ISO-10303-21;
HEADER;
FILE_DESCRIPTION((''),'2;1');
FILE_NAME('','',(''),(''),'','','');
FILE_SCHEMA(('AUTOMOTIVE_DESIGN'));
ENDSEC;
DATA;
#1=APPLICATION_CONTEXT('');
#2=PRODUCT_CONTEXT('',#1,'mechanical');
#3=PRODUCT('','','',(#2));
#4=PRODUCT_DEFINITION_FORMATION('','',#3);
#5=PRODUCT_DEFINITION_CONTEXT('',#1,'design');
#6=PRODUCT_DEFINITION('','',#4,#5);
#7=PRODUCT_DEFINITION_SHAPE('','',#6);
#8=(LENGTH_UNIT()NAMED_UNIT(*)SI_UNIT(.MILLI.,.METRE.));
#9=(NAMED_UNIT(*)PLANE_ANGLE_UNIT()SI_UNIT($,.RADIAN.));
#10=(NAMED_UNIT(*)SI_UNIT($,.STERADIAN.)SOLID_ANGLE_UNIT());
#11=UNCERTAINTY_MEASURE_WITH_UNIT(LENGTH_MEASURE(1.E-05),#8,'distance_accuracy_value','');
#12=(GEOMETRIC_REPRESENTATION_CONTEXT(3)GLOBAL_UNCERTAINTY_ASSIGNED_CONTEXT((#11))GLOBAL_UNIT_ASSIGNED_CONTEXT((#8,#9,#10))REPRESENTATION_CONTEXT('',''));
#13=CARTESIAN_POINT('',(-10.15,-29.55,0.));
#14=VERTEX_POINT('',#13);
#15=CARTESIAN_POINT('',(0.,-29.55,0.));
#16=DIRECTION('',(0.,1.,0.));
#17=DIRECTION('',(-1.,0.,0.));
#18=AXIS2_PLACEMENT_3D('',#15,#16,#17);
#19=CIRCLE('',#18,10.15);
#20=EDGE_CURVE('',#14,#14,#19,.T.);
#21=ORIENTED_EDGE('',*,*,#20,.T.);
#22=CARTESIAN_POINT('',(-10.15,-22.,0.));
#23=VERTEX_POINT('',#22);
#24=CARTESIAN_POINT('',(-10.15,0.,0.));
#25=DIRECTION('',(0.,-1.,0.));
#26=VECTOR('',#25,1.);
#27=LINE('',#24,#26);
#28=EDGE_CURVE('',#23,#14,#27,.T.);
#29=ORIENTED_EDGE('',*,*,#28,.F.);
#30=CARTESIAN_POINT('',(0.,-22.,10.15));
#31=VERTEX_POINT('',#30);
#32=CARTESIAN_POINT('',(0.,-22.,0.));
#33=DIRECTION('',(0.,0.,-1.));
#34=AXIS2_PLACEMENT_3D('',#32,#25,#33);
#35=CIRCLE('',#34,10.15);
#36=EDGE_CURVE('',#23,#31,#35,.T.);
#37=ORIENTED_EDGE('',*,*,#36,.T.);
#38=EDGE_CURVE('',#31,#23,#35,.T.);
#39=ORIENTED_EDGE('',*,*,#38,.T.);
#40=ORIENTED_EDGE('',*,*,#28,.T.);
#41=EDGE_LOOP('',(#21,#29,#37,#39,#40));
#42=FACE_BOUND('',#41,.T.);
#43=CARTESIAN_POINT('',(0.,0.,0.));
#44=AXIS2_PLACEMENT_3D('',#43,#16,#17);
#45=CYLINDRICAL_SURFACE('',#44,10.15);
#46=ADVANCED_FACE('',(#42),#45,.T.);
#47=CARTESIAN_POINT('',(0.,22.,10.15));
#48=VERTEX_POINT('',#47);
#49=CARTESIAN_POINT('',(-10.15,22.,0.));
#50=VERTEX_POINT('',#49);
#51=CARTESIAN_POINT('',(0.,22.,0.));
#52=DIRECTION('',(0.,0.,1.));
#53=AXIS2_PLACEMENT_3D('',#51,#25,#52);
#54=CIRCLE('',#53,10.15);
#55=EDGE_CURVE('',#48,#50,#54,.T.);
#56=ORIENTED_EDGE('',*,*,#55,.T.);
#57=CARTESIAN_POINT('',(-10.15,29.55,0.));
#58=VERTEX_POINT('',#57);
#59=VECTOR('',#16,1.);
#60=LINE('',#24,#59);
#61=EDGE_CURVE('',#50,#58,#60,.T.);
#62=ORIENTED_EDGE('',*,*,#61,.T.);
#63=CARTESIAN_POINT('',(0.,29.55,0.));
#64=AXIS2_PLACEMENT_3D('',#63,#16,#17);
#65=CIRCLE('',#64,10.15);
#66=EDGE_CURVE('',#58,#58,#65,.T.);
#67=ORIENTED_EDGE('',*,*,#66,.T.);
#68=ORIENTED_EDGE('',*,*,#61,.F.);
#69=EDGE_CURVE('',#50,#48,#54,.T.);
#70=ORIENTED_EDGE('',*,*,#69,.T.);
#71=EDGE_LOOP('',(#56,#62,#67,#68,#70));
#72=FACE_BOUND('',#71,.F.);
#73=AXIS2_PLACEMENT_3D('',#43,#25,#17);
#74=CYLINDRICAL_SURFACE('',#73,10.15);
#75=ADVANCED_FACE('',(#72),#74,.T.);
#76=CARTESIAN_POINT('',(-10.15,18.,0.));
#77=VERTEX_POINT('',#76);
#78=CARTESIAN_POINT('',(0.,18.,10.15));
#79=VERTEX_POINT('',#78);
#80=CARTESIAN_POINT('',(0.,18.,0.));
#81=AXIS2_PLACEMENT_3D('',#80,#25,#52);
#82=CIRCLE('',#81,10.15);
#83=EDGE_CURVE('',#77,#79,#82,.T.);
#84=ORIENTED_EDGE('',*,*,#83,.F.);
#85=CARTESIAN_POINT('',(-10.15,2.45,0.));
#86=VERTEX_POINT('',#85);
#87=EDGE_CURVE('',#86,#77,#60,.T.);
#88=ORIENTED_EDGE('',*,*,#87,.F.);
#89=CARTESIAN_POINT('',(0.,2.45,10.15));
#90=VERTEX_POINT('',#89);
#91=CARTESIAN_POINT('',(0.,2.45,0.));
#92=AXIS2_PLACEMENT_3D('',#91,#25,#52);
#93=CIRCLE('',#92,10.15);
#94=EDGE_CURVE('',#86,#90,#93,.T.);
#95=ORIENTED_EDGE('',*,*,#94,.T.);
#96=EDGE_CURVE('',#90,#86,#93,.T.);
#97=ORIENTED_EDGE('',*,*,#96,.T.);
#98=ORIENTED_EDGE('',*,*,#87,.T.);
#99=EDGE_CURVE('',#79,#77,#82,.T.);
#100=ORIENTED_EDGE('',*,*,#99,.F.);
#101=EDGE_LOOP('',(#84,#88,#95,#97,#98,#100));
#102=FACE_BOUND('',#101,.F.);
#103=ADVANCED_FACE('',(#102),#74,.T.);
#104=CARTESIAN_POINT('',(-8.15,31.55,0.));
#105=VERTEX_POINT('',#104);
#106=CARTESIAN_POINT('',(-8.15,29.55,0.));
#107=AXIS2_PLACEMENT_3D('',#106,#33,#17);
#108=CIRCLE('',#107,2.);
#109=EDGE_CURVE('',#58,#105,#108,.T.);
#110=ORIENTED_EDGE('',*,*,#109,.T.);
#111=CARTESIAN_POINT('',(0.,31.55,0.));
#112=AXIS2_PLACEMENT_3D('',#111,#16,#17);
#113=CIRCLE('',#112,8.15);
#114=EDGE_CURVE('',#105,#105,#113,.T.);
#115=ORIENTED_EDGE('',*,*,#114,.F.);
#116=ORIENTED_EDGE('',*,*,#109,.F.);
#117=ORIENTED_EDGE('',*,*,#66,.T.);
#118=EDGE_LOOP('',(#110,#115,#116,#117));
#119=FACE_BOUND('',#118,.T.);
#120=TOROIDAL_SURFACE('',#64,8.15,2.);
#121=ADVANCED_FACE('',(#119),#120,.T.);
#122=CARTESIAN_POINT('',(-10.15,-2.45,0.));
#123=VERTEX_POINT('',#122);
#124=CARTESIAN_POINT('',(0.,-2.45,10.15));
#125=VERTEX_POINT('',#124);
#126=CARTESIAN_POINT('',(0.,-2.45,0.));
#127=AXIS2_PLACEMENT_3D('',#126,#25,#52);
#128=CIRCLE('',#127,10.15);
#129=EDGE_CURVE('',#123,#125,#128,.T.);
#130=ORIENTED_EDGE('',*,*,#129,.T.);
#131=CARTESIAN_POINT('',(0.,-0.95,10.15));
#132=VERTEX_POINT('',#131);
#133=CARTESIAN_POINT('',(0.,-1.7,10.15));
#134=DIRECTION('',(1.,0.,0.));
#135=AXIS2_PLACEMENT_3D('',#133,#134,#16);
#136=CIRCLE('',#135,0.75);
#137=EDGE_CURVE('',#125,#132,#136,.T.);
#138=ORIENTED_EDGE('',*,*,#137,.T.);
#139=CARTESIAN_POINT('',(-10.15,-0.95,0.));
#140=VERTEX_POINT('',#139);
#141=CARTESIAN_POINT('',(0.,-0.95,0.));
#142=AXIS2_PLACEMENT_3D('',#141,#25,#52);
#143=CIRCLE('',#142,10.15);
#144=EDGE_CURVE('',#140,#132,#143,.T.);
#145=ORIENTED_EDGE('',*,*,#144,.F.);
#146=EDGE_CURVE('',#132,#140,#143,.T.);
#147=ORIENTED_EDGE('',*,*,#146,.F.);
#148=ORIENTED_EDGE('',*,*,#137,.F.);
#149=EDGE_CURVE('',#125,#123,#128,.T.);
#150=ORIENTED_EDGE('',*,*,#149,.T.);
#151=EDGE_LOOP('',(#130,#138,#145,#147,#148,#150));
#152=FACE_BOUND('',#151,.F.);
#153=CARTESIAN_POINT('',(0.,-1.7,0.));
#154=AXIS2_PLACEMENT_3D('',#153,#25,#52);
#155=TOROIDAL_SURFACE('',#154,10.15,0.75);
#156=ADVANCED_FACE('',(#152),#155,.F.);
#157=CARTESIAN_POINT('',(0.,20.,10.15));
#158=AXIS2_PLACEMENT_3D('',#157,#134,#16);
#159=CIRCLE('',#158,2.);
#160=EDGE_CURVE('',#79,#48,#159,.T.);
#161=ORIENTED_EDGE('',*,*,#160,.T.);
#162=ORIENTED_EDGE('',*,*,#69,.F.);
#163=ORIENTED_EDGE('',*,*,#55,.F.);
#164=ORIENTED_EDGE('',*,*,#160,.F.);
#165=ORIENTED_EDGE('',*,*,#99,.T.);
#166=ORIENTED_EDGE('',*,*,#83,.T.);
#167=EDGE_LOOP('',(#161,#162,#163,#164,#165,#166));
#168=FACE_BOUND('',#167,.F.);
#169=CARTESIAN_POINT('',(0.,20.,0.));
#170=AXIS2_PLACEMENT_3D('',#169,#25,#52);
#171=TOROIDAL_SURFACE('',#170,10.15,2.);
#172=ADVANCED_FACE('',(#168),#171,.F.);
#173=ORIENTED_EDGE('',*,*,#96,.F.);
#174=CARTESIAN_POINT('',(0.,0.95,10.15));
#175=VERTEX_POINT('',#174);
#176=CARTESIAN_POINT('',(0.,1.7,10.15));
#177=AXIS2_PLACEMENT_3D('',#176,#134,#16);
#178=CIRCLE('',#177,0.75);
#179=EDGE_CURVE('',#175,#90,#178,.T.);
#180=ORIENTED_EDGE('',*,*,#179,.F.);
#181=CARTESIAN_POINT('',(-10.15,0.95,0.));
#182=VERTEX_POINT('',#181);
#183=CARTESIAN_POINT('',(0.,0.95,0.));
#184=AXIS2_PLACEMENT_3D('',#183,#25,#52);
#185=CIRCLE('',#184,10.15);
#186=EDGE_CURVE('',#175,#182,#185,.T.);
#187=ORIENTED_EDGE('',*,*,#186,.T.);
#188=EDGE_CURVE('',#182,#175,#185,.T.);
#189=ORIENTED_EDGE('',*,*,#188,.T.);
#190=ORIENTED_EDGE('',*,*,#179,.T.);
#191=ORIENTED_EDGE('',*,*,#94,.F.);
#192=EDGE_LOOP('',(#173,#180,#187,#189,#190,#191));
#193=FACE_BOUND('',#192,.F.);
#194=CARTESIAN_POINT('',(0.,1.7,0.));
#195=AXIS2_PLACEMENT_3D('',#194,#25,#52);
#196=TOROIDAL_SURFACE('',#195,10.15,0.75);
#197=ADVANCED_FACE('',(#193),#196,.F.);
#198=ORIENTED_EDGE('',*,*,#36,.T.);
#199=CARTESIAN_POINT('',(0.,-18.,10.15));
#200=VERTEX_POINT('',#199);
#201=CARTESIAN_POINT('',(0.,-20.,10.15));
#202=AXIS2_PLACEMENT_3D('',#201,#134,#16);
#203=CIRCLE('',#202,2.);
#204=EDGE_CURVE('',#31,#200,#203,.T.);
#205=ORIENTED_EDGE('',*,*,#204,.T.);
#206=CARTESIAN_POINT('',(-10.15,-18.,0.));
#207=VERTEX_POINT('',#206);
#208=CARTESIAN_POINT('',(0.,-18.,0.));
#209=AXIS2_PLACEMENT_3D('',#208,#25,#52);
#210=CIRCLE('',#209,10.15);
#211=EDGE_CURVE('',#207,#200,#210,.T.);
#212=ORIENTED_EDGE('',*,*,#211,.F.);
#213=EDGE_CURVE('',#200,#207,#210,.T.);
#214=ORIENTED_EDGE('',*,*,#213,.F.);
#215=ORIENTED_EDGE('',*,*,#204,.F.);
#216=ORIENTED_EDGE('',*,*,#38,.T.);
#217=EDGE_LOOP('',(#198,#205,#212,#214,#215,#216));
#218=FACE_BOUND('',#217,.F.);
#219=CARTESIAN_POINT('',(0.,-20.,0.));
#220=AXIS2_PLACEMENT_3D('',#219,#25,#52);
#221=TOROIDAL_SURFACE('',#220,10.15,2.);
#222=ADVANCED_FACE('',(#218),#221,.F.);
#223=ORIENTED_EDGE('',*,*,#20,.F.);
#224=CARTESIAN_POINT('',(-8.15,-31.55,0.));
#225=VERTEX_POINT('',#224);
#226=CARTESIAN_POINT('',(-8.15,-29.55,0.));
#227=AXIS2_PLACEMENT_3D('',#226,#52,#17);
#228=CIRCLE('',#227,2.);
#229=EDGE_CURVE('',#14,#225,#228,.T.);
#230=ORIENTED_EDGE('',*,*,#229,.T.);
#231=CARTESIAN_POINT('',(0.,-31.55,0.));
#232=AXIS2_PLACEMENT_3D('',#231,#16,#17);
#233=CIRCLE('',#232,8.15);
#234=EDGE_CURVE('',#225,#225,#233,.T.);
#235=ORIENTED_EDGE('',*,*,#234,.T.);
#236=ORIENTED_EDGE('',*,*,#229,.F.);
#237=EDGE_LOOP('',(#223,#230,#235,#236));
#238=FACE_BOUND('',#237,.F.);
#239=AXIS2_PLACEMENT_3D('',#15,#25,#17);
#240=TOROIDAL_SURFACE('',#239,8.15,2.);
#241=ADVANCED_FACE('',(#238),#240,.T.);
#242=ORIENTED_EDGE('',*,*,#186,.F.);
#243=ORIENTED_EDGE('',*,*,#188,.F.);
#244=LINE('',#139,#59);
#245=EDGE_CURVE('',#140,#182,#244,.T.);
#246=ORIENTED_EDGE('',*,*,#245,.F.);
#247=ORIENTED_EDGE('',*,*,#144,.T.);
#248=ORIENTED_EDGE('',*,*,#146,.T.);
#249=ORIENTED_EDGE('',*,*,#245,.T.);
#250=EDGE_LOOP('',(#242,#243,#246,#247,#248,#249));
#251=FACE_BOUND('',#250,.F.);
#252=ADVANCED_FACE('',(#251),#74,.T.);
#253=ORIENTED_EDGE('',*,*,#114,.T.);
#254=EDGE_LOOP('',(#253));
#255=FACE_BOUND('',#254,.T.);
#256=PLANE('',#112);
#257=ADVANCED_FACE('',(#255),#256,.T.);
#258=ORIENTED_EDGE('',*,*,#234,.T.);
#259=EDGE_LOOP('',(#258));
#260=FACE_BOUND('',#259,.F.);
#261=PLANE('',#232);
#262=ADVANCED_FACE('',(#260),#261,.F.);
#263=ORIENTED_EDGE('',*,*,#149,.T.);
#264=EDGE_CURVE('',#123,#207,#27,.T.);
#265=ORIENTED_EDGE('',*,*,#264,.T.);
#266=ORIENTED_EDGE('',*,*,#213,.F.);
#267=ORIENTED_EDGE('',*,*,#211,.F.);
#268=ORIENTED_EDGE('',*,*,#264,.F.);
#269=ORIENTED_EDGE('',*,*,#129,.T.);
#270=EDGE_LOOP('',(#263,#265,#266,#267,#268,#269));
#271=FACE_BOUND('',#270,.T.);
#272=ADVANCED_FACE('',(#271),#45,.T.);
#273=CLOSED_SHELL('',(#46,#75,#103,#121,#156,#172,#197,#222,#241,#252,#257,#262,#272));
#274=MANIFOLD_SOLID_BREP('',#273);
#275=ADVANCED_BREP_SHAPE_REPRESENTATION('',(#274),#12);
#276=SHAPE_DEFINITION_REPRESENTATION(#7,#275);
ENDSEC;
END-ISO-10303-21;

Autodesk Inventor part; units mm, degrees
ref_plane "XZ Plane" through (0, 0, 0) normal (0, 1, 0) x (-1, 0, 0)
sketch "Boceto1" plane through (0, 0, 0) normal (0, 1, 0) x (-1, 0, 0)
  circle A0 centre (0, 0) radius 10.15
  dimension "d0" = 20.3
extrude "Extrusión1" add sketch "Boceto1" along normal mid plane 63.1
ref_plane "Plano de trabajo1" through (0, 0, 0) normal (0, 1, 0) x (1, 0, 0)
ref_plane "Plano de trabajo2" through (0, 0, 0) normal (1, 0, 0) x (0, 1, 0)
sketch "Boceto2" plane through (0, 0, 0) normal (1, 0, 0) x (0, 1, 0)
  line L0 (-31.55, 10.15) -> (-31.55, -10.15) projected
  line L1 (31.55, -10.15) -> (31.55, 10.15) projected
  line L2 (-31.55, 10.15) -> (31.55, 10.15) projected
  circle A0 centre (1.7, 10.15) radius 0.75
  line L3 (0, 15.11) -> (0, -14.36) projected
  circle A1 centre (-1.7, 10.15) radius 0.75
  line L4 (44.17, 0) -> (-44.17, 0) projected
  point P0 (0, 0)
  dimension "d4" = 1.5
  dimension "d5" = 1.7
  dimension "d6" = 1.5
  dimension "d7" = 1.7
ref_plane "Plano de trabajo3" through (0, 0, 0) normal (0, 0, 1) x (1, 0, 0)
revolve "Revolución1" cut sketch "Boceto2" angle 360 about axis through (0, 0, 0) along (0, -1, 0) contours A1 L2 | L2 A1 | A0 L2 | L2 A0
sketch "Boceto3" plane through (0, 0, 0) normal (1, 0, 0) x (0, 1, 0)
  line L0 (2.45, 10.15) -> (31.55, 10.15) projected
  circle A0 centre (20, 10.15) radius 2
  circle A1 centre (-20, 10.15) radius 2
  line L1 (44.17, 0) -> (-44.17, 0) projected
  point P0 (0, 0)
  dimension "d10" = 4
  dimension "d11" = 20
  dimension "d12" = 4
  dimension "d13" = 20
revolve "Revolución2" cut sketch "Boceto3" angle 360 about axis through (0, 0, 0) along (0, -1, 0)
fillet "Empalme1" radius 2 2 edges at (10.15, 31.55, 0) (10.15, -31.55, 0)
sketch "Boceto4" plane through (0, 31.55, 0) normal (0, 1, 0) x (1, 0, 0)
  point P0 (0, 0)
  point P1 (0, 0)
properties part number "conectorDe2o3pines"
